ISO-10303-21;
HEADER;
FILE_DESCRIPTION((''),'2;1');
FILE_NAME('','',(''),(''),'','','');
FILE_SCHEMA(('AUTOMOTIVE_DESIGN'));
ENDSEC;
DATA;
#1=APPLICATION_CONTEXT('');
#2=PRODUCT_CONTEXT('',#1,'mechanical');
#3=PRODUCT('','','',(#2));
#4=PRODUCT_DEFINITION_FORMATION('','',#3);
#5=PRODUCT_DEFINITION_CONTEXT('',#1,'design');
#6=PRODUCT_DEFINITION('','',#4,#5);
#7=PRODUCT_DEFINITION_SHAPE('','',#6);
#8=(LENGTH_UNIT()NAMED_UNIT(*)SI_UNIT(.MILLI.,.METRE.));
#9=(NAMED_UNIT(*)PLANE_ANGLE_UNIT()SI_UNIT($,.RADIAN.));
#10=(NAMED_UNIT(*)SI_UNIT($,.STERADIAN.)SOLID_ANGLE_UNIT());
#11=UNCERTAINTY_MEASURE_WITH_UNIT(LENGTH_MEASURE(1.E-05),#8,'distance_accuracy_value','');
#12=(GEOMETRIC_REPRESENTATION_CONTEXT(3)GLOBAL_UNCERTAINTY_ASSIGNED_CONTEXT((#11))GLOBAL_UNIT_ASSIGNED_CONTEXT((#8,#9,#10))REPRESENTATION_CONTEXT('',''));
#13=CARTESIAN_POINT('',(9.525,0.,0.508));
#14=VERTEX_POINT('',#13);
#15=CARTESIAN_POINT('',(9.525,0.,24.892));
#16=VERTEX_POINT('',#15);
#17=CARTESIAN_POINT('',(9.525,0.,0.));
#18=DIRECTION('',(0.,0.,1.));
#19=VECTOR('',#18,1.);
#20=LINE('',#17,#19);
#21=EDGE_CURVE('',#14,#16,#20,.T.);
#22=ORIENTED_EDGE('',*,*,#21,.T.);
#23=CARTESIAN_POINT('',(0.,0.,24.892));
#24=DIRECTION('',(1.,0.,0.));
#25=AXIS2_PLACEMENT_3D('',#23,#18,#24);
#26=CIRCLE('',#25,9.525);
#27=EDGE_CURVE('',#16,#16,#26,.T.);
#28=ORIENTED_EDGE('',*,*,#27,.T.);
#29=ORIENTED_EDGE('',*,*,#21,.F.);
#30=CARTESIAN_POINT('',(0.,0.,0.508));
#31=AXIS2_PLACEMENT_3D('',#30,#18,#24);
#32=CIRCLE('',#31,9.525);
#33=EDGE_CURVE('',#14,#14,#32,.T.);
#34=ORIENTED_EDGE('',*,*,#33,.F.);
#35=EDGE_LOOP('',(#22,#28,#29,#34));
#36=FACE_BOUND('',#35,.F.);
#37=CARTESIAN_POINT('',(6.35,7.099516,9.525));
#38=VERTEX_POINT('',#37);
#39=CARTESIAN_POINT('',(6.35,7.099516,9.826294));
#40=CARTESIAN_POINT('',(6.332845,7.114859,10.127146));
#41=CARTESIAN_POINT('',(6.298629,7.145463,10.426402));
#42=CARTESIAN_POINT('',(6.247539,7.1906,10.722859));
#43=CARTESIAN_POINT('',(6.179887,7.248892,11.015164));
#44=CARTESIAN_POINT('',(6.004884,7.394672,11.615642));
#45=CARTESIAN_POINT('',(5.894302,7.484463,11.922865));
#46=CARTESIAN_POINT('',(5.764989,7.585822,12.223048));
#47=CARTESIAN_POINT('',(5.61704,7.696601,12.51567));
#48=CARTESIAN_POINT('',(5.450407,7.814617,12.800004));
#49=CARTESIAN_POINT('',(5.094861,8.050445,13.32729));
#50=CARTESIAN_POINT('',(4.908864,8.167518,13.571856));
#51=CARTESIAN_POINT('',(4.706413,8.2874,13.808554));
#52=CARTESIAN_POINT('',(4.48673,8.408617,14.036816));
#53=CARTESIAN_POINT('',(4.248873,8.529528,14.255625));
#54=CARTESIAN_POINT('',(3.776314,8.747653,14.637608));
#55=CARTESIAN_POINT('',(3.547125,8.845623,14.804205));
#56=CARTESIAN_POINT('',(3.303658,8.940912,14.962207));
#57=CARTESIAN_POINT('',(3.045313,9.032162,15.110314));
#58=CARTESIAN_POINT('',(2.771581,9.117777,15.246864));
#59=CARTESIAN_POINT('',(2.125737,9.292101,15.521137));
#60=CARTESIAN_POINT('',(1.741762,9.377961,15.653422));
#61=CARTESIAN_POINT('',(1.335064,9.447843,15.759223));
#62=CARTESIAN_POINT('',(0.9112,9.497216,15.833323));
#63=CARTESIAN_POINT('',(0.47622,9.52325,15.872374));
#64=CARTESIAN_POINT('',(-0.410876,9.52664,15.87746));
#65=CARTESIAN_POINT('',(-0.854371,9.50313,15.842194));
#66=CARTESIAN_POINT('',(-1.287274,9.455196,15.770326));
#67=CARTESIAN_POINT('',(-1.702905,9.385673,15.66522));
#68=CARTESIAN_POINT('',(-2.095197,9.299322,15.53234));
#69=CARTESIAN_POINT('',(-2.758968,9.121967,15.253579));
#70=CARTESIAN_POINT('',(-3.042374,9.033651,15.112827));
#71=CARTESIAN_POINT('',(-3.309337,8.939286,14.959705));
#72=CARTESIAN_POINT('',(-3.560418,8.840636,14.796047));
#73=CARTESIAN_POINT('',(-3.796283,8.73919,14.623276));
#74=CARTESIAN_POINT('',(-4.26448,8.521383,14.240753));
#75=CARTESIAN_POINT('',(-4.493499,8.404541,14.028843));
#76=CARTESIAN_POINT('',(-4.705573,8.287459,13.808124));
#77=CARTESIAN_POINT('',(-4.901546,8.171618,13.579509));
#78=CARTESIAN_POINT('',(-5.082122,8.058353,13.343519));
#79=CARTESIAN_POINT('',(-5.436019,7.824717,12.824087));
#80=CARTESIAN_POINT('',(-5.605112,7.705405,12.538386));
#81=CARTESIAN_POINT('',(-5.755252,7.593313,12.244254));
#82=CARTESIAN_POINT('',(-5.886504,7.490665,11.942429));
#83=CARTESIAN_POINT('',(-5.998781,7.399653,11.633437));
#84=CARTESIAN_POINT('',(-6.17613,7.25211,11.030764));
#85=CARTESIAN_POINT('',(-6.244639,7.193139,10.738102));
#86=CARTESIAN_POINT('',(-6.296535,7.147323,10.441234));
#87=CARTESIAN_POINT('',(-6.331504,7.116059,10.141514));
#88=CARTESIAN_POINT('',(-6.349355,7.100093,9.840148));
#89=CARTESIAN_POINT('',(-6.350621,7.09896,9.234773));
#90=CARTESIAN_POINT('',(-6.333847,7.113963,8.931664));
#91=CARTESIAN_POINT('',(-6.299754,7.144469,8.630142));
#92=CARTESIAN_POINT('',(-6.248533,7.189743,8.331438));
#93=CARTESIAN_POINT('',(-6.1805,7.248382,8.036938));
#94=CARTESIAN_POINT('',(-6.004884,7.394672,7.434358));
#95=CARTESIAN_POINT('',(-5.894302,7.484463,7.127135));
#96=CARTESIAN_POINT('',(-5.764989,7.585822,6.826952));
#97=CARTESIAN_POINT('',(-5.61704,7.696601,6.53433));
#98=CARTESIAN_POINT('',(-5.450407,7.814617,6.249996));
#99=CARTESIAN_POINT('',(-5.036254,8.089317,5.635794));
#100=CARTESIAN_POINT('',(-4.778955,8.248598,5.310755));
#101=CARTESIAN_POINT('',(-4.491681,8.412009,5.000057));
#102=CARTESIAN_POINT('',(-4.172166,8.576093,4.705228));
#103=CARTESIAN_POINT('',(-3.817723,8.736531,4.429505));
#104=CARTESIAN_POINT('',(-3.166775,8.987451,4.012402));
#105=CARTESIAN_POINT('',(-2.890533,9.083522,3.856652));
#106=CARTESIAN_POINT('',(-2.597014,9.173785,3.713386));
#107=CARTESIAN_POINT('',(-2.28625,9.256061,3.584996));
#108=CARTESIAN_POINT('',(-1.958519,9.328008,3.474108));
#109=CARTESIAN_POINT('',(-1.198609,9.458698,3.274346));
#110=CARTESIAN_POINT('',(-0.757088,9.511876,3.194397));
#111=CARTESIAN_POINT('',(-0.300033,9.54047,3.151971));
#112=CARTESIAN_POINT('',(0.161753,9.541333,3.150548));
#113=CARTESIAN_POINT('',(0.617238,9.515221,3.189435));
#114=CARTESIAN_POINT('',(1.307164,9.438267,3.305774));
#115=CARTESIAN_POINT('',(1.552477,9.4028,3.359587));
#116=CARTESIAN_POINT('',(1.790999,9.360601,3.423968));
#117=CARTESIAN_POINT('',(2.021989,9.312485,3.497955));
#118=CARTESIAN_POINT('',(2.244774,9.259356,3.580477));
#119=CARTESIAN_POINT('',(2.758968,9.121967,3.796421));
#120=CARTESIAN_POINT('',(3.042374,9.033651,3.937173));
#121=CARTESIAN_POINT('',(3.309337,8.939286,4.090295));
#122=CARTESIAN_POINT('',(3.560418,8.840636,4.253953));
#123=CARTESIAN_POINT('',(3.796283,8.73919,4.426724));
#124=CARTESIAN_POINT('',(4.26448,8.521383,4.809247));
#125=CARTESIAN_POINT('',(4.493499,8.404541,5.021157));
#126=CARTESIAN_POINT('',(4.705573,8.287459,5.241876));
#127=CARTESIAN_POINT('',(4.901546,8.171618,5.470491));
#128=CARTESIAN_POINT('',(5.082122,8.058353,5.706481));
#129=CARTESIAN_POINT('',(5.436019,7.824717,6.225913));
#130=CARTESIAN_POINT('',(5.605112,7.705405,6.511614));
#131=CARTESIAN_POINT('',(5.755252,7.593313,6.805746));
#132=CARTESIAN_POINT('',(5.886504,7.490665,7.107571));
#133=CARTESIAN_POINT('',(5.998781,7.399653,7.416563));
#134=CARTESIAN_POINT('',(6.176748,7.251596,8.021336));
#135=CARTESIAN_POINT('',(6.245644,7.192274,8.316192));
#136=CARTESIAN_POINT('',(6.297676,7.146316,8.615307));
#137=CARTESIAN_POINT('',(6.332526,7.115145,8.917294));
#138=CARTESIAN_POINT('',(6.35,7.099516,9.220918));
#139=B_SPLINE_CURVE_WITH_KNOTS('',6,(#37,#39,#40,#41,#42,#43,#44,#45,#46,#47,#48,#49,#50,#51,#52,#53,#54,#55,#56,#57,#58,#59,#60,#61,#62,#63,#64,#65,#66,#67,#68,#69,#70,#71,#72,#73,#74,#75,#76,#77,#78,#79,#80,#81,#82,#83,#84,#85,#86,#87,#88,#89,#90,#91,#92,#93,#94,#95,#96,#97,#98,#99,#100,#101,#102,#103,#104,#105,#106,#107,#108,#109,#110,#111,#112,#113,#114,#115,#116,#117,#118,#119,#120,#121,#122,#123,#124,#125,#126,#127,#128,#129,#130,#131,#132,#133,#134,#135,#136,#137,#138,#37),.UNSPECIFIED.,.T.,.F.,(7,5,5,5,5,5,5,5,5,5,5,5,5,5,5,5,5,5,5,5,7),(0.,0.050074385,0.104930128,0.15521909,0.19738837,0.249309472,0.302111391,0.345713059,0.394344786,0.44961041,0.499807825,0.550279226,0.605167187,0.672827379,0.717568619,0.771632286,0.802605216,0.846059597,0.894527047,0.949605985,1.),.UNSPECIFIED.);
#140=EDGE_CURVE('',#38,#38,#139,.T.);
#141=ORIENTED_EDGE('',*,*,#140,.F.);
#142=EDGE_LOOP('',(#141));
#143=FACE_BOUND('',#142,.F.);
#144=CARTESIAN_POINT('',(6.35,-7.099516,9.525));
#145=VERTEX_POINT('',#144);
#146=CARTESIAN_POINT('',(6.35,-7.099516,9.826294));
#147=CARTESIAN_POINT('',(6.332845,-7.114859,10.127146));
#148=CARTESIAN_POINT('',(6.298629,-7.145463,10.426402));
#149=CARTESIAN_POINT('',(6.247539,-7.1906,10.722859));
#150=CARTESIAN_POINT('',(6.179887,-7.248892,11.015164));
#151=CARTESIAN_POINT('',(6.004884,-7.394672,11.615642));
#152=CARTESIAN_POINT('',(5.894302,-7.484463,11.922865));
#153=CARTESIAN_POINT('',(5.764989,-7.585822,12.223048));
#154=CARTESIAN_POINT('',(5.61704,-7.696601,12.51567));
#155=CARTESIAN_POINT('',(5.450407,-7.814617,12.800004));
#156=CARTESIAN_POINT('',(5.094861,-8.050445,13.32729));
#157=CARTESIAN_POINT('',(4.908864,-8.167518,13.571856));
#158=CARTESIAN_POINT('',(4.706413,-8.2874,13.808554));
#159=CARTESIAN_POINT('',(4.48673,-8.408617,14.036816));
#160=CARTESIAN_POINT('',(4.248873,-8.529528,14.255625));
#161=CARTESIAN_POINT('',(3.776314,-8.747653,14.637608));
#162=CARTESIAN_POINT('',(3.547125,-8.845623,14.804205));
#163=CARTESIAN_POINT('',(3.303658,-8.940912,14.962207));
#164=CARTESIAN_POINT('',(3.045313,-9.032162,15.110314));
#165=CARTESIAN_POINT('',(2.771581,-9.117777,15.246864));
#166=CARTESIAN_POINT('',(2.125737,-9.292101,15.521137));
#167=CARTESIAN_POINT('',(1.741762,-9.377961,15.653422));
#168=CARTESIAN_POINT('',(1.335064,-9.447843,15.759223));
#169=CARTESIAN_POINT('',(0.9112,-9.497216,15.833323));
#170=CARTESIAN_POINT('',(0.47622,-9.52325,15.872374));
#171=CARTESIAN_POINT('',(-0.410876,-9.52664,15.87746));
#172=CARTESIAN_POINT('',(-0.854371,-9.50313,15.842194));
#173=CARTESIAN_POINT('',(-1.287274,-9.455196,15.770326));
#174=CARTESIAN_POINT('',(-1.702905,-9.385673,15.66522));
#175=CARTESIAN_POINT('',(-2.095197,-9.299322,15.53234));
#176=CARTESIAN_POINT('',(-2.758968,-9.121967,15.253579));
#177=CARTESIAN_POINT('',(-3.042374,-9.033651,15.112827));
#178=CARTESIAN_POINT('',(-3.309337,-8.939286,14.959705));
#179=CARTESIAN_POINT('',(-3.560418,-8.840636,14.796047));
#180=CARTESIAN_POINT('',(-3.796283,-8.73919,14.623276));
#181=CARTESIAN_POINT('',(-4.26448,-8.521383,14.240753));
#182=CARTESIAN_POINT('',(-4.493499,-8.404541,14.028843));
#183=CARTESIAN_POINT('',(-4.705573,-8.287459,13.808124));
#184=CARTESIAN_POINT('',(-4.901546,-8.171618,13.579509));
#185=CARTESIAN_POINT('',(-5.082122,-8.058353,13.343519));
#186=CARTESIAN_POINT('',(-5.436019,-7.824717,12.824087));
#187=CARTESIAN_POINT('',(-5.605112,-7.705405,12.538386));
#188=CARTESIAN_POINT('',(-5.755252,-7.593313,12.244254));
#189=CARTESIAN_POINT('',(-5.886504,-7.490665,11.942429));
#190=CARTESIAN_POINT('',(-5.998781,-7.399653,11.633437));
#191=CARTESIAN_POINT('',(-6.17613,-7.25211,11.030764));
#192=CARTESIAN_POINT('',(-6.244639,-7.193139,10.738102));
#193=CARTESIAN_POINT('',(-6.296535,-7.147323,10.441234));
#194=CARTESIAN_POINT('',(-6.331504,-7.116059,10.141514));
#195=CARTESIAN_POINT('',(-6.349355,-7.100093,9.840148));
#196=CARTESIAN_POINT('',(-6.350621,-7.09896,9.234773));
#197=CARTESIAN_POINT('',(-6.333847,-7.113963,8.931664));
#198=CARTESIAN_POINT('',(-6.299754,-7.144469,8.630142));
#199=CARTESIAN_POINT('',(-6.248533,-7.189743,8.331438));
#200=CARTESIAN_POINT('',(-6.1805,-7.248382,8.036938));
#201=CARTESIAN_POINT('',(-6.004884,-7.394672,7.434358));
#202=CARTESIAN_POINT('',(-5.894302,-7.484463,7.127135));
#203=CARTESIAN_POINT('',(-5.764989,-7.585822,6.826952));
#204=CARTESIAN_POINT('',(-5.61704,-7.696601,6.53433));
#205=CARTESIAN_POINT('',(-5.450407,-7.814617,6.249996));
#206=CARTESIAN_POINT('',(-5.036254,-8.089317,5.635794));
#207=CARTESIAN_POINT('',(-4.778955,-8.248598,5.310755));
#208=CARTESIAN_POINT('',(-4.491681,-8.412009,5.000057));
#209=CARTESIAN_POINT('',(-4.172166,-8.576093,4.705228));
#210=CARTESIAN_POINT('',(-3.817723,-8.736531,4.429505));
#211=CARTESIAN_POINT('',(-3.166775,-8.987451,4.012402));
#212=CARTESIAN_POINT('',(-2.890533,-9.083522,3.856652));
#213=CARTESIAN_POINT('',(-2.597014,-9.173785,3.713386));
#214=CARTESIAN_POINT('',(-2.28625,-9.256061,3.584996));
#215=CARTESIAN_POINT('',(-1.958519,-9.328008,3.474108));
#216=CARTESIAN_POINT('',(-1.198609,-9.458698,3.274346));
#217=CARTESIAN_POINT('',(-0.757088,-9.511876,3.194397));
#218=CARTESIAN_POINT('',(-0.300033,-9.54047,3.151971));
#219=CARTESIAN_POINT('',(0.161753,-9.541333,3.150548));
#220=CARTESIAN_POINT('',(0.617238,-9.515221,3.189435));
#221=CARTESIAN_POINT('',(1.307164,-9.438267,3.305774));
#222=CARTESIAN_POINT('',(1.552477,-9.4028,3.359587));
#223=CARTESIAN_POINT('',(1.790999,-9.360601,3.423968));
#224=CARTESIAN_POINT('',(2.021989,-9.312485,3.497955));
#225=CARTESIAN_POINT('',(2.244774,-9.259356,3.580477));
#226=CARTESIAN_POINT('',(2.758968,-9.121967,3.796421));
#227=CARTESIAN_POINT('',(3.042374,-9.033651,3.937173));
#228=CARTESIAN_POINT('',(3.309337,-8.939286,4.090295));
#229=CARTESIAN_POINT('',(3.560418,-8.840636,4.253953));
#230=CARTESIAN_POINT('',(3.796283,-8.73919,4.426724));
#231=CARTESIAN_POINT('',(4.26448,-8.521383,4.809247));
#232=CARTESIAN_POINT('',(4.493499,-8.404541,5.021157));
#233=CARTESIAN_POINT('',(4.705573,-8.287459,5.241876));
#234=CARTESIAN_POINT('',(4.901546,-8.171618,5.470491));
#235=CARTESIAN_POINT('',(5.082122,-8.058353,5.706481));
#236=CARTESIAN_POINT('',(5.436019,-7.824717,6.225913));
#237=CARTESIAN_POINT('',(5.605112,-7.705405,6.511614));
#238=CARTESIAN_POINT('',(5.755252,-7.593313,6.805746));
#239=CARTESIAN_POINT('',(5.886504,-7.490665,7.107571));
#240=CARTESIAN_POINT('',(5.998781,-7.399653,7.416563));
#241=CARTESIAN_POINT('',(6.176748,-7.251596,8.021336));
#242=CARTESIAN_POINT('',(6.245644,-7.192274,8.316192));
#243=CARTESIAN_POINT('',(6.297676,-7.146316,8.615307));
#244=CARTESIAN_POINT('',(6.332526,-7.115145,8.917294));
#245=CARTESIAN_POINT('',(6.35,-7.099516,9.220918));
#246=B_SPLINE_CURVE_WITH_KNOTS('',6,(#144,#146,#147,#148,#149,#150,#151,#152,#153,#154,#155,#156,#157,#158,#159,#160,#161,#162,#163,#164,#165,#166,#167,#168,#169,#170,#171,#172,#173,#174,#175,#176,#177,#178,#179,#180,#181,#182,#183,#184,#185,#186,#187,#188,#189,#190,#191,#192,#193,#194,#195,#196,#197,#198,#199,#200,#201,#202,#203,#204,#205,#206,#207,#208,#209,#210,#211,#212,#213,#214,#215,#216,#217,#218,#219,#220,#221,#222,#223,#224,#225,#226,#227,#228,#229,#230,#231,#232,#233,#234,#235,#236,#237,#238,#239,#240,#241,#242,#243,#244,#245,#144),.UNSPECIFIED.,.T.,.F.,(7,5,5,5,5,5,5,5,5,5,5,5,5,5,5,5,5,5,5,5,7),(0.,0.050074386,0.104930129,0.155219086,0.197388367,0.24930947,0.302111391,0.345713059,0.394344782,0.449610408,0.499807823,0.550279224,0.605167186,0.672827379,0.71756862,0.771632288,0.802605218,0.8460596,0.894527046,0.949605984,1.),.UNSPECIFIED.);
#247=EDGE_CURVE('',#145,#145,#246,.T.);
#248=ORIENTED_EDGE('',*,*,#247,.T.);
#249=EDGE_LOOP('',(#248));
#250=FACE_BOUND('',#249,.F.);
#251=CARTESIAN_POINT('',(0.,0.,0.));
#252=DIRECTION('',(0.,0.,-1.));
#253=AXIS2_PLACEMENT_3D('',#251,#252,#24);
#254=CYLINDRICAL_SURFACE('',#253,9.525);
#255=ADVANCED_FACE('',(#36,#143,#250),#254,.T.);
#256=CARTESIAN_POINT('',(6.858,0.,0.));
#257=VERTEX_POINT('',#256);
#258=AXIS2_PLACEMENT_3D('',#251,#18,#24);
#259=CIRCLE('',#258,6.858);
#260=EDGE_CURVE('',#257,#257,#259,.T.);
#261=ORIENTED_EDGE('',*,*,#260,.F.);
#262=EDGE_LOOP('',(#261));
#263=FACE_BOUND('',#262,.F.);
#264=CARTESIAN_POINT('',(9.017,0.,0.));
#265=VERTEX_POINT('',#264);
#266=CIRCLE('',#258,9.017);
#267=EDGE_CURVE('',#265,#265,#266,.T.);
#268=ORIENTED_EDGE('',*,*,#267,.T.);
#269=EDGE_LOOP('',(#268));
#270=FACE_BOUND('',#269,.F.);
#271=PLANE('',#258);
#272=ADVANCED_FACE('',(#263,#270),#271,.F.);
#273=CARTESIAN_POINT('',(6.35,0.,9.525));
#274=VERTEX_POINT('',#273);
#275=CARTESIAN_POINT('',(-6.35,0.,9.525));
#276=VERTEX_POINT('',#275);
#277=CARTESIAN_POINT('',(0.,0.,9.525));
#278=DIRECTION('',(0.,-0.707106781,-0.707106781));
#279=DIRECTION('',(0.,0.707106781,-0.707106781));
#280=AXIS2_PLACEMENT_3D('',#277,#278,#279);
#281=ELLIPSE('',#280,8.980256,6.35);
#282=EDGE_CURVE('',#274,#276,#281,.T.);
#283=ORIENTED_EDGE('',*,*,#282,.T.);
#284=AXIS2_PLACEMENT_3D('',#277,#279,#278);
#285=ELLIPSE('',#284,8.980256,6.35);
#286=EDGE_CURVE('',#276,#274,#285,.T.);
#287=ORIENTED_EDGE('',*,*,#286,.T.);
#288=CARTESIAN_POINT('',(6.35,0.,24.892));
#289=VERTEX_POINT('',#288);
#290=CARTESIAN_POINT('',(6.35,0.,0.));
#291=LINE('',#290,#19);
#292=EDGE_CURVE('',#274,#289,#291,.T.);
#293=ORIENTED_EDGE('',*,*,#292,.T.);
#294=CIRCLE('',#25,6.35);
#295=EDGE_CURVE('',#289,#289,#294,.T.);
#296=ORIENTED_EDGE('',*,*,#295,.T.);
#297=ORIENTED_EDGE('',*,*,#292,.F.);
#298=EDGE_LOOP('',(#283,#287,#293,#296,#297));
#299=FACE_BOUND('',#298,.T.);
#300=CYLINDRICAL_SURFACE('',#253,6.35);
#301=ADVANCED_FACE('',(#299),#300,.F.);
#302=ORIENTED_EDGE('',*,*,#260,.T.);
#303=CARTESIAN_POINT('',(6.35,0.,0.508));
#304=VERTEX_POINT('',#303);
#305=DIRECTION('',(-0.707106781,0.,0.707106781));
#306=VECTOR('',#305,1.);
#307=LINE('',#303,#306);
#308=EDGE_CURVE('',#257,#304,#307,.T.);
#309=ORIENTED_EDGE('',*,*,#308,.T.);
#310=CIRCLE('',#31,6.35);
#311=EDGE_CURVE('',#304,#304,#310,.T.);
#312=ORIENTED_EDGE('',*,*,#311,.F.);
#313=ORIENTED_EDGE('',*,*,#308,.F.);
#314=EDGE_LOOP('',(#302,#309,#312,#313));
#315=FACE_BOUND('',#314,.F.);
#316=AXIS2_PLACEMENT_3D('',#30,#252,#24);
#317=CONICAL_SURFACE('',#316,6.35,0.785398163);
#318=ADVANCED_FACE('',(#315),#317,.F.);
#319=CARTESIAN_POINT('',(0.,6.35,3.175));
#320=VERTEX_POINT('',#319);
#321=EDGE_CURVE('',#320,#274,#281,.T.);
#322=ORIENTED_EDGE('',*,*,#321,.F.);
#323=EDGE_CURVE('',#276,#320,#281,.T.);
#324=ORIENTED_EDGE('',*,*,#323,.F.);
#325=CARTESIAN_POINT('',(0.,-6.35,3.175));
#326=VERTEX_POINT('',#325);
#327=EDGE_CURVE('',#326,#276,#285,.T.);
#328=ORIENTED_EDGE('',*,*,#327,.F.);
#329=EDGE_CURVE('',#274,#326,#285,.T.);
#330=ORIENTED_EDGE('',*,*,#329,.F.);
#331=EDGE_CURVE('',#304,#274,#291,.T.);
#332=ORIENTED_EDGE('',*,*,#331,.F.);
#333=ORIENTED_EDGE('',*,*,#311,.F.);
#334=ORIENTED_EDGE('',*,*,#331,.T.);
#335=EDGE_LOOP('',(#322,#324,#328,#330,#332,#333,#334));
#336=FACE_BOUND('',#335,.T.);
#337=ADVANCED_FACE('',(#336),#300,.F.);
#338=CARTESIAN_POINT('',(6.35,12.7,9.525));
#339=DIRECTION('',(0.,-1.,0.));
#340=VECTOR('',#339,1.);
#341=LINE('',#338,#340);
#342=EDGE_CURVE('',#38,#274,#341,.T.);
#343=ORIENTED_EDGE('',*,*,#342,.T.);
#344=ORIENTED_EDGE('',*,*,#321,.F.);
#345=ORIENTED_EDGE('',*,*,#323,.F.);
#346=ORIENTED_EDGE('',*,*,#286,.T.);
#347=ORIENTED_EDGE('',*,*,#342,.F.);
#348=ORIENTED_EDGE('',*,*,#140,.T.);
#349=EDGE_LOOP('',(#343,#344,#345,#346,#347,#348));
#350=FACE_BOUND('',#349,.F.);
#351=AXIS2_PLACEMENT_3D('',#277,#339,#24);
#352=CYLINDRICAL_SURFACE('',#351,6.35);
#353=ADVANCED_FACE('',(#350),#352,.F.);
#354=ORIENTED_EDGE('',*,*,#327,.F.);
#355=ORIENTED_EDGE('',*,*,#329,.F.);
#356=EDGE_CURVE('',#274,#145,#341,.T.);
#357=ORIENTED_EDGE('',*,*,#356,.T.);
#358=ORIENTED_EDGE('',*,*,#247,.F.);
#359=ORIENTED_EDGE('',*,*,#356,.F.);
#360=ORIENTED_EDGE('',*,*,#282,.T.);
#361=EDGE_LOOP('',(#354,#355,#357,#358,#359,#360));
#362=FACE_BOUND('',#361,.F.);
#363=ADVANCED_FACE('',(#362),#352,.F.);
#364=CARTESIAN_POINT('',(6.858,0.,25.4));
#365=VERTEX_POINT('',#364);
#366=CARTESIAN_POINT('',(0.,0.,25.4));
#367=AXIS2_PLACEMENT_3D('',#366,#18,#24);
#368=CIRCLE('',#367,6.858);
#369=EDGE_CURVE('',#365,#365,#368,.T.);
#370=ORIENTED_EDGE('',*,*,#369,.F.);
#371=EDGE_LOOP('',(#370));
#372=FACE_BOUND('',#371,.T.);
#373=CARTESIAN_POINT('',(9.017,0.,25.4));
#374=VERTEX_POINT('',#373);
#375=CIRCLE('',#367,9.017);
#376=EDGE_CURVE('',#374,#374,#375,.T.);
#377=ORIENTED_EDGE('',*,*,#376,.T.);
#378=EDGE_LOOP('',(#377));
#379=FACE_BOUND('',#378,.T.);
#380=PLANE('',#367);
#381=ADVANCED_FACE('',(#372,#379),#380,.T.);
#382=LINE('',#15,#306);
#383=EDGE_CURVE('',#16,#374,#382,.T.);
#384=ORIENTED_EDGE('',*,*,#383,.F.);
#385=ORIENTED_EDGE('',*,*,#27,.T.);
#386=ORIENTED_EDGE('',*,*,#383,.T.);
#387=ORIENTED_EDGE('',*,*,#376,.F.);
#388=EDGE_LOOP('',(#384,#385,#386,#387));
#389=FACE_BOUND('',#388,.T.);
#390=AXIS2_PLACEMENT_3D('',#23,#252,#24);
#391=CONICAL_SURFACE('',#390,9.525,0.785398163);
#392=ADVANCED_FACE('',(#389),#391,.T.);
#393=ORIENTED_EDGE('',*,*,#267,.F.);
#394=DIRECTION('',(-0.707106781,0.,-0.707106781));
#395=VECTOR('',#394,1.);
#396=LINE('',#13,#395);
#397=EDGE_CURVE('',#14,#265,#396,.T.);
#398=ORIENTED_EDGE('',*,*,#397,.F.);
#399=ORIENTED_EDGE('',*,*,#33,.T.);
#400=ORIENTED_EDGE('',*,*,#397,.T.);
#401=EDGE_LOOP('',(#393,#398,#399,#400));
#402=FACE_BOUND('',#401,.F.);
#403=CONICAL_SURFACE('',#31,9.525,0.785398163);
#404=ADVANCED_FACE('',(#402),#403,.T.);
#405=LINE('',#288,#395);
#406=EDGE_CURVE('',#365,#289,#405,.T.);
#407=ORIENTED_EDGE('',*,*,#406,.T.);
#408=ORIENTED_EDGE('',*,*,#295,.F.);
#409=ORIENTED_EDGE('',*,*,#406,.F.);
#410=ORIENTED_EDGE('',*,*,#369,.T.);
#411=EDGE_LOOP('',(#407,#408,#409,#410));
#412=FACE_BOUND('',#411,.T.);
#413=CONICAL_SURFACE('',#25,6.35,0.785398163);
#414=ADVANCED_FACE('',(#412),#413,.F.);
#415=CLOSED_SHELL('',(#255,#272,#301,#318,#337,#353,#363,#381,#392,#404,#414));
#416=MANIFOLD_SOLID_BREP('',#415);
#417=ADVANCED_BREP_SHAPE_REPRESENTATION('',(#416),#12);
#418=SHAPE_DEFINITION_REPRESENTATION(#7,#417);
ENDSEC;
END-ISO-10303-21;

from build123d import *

# Parameters (mm, degrees)
F0_R     = 9.525
F0_R_2   = 6.35
F1_DEPTH = 25.4
F3_DEPTH = 12.7
F4_SIZE  = 0.508


with BuildPart() as f1:
    # F0 (on Top) → F1 (new body)
    with BuildSketch(Plane.XY):
        Circle(F0_R)
        Circle(F0_R_2, mode=Mode.SUBTRACT)
    extrude(amount=F1_DEPTH)

    # F2 (on Front) → F3 (cut, symmetric)
    with BuildSketch(Plane.XZ):
        with BuildLine():
            ThreePointArc((-6.35, 9.525), (0, 3.175), (6.35, 9.525))
            ThreePointArc((6.35, 9.525), (0, 15.875), (-6.35, 9.525))
        make_face()
    extrude(amount=F3_DEPTH, both=True, mode=Mode.SUBTRACT)

    # F4
    f4_edges = [f1.edges().sort_by_distance(p)[0] for p in [
        (-6.35, 0, 25.4),
        (-9.525, 0, 25.4),
        (-6.35, 0, 0),
        (-9.525, 0, 0),
    ]]
    chamfer(f4_edges, length=F4_SIZE)


solid = f1.part
